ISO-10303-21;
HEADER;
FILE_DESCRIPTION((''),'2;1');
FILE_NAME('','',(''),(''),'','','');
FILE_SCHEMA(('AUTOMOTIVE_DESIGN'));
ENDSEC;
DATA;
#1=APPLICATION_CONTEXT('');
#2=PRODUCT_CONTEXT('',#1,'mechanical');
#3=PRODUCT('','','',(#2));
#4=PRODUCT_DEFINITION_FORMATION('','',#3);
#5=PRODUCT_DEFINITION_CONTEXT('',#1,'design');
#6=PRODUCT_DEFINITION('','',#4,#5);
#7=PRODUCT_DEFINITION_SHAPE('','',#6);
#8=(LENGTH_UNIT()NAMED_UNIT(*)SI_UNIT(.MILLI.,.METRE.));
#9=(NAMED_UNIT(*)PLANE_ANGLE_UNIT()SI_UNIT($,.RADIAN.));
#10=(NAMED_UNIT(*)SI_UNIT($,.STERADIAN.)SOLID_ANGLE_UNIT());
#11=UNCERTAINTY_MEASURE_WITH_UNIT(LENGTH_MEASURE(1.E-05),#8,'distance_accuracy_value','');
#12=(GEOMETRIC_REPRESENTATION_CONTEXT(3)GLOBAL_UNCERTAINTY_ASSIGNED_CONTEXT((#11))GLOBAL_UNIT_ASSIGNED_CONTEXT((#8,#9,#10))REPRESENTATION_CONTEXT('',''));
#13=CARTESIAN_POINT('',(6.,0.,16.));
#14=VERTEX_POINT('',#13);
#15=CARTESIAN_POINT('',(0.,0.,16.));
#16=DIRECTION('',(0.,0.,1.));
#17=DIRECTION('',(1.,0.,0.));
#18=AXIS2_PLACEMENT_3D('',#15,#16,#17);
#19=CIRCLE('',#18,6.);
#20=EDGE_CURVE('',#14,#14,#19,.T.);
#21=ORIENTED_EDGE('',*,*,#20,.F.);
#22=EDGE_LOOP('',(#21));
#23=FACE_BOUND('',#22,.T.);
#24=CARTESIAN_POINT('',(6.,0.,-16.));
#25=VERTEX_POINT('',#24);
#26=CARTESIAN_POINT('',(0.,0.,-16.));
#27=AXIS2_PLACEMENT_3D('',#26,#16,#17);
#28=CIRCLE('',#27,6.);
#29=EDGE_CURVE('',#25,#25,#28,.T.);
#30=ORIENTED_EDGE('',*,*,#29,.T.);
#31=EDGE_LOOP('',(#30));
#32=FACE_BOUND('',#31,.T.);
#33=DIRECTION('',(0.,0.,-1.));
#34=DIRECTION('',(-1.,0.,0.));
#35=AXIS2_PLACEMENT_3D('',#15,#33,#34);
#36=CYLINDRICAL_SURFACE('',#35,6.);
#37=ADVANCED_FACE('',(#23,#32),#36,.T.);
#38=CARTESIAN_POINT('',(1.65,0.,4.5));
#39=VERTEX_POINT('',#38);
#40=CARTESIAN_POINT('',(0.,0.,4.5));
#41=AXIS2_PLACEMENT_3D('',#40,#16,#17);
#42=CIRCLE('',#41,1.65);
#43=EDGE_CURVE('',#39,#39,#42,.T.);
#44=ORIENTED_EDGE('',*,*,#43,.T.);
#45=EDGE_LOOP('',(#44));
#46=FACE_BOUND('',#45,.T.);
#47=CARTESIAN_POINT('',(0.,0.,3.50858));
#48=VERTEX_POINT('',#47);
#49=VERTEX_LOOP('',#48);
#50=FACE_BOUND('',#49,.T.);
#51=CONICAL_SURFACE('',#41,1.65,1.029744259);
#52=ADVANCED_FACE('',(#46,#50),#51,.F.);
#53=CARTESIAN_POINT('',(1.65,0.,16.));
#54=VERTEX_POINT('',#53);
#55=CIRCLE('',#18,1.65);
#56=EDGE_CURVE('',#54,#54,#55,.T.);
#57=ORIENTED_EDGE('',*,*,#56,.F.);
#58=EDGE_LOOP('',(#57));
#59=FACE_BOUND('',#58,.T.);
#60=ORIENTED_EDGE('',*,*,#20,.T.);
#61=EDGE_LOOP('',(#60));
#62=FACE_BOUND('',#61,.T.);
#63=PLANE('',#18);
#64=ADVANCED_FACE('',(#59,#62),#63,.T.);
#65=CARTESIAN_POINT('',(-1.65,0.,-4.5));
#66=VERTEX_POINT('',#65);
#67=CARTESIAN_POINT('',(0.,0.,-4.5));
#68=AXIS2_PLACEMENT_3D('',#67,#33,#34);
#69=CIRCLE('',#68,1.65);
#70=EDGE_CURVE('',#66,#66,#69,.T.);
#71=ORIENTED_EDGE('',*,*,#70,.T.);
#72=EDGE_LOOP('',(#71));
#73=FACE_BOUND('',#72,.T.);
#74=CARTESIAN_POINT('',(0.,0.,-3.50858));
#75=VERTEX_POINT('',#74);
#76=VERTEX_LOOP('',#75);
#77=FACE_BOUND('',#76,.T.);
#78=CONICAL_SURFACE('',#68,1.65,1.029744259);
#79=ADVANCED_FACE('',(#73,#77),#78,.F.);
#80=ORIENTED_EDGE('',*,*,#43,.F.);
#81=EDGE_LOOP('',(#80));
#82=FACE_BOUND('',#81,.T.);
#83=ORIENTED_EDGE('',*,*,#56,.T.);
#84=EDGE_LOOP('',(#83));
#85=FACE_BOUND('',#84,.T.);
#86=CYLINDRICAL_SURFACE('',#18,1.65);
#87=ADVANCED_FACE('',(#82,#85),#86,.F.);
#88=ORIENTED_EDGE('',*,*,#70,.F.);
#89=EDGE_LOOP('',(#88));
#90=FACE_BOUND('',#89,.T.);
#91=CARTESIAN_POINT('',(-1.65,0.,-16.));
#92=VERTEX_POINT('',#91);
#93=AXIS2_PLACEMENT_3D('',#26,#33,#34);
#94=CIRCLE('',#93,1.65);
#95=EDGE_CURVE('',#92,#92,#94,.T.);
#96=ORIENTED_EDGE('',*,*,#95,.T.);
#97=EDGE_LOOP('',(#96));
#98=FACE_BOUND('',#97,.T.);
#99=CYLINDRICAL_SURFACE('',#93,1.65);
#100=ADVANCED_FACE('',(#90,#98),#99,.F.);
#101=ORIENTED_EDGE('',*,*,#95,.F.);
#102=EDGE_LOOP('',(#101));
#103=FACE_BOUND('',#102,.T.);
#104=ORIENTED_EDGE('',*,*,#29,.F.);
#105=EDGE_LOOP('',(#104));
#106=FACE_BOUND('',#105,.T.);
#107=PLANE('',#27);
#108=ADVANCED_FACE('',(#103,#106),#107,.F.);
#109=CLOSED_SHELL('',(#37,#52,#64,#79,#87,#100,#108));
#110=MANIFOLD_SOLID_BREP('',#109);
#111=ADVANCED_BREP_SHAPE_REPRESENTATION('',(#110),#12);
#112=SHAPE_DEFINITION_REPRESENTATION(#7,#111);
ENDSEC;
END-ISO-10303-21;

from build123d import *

# Parameters (mm, degrees)
ESQUISSE1_R        = 6
BOSS_EXTRU_1_DEPTH = 16


with BuildPart() as part:
    # Esquisse1 → Boss.-Extru.1 (new body, symmetric)
    with BuildSketch(Plane.XY):
        Circle(ESQUISSE1_R)
    extrude(amount=BOSS_EXTRU_1_DEPTH, both=True)

    # Esquisse4 → Trou taraudé M41 (revolve, cut)
    with BuildSketch(Plane(origin=(0, 0, 16), x_dir=(0, -1, 0), z_dir=(1, 0, 0))):
        Polygon((0, 0), (0, 12.491420021), (1.65, 11.5), (1.65, 0), align=None)
    trou_taraud_m41 = revolve(axis=Axis((0, 0, 22.35), (0, 0, -1)), mode=Mode.SUBTRACT)

    # Symétrie1: Trou taraudé M41 across plane
    add(trou_taraud_m41.mirror(Plane.XY), mode=Mode.SUBTRACT)


solid = part.part
